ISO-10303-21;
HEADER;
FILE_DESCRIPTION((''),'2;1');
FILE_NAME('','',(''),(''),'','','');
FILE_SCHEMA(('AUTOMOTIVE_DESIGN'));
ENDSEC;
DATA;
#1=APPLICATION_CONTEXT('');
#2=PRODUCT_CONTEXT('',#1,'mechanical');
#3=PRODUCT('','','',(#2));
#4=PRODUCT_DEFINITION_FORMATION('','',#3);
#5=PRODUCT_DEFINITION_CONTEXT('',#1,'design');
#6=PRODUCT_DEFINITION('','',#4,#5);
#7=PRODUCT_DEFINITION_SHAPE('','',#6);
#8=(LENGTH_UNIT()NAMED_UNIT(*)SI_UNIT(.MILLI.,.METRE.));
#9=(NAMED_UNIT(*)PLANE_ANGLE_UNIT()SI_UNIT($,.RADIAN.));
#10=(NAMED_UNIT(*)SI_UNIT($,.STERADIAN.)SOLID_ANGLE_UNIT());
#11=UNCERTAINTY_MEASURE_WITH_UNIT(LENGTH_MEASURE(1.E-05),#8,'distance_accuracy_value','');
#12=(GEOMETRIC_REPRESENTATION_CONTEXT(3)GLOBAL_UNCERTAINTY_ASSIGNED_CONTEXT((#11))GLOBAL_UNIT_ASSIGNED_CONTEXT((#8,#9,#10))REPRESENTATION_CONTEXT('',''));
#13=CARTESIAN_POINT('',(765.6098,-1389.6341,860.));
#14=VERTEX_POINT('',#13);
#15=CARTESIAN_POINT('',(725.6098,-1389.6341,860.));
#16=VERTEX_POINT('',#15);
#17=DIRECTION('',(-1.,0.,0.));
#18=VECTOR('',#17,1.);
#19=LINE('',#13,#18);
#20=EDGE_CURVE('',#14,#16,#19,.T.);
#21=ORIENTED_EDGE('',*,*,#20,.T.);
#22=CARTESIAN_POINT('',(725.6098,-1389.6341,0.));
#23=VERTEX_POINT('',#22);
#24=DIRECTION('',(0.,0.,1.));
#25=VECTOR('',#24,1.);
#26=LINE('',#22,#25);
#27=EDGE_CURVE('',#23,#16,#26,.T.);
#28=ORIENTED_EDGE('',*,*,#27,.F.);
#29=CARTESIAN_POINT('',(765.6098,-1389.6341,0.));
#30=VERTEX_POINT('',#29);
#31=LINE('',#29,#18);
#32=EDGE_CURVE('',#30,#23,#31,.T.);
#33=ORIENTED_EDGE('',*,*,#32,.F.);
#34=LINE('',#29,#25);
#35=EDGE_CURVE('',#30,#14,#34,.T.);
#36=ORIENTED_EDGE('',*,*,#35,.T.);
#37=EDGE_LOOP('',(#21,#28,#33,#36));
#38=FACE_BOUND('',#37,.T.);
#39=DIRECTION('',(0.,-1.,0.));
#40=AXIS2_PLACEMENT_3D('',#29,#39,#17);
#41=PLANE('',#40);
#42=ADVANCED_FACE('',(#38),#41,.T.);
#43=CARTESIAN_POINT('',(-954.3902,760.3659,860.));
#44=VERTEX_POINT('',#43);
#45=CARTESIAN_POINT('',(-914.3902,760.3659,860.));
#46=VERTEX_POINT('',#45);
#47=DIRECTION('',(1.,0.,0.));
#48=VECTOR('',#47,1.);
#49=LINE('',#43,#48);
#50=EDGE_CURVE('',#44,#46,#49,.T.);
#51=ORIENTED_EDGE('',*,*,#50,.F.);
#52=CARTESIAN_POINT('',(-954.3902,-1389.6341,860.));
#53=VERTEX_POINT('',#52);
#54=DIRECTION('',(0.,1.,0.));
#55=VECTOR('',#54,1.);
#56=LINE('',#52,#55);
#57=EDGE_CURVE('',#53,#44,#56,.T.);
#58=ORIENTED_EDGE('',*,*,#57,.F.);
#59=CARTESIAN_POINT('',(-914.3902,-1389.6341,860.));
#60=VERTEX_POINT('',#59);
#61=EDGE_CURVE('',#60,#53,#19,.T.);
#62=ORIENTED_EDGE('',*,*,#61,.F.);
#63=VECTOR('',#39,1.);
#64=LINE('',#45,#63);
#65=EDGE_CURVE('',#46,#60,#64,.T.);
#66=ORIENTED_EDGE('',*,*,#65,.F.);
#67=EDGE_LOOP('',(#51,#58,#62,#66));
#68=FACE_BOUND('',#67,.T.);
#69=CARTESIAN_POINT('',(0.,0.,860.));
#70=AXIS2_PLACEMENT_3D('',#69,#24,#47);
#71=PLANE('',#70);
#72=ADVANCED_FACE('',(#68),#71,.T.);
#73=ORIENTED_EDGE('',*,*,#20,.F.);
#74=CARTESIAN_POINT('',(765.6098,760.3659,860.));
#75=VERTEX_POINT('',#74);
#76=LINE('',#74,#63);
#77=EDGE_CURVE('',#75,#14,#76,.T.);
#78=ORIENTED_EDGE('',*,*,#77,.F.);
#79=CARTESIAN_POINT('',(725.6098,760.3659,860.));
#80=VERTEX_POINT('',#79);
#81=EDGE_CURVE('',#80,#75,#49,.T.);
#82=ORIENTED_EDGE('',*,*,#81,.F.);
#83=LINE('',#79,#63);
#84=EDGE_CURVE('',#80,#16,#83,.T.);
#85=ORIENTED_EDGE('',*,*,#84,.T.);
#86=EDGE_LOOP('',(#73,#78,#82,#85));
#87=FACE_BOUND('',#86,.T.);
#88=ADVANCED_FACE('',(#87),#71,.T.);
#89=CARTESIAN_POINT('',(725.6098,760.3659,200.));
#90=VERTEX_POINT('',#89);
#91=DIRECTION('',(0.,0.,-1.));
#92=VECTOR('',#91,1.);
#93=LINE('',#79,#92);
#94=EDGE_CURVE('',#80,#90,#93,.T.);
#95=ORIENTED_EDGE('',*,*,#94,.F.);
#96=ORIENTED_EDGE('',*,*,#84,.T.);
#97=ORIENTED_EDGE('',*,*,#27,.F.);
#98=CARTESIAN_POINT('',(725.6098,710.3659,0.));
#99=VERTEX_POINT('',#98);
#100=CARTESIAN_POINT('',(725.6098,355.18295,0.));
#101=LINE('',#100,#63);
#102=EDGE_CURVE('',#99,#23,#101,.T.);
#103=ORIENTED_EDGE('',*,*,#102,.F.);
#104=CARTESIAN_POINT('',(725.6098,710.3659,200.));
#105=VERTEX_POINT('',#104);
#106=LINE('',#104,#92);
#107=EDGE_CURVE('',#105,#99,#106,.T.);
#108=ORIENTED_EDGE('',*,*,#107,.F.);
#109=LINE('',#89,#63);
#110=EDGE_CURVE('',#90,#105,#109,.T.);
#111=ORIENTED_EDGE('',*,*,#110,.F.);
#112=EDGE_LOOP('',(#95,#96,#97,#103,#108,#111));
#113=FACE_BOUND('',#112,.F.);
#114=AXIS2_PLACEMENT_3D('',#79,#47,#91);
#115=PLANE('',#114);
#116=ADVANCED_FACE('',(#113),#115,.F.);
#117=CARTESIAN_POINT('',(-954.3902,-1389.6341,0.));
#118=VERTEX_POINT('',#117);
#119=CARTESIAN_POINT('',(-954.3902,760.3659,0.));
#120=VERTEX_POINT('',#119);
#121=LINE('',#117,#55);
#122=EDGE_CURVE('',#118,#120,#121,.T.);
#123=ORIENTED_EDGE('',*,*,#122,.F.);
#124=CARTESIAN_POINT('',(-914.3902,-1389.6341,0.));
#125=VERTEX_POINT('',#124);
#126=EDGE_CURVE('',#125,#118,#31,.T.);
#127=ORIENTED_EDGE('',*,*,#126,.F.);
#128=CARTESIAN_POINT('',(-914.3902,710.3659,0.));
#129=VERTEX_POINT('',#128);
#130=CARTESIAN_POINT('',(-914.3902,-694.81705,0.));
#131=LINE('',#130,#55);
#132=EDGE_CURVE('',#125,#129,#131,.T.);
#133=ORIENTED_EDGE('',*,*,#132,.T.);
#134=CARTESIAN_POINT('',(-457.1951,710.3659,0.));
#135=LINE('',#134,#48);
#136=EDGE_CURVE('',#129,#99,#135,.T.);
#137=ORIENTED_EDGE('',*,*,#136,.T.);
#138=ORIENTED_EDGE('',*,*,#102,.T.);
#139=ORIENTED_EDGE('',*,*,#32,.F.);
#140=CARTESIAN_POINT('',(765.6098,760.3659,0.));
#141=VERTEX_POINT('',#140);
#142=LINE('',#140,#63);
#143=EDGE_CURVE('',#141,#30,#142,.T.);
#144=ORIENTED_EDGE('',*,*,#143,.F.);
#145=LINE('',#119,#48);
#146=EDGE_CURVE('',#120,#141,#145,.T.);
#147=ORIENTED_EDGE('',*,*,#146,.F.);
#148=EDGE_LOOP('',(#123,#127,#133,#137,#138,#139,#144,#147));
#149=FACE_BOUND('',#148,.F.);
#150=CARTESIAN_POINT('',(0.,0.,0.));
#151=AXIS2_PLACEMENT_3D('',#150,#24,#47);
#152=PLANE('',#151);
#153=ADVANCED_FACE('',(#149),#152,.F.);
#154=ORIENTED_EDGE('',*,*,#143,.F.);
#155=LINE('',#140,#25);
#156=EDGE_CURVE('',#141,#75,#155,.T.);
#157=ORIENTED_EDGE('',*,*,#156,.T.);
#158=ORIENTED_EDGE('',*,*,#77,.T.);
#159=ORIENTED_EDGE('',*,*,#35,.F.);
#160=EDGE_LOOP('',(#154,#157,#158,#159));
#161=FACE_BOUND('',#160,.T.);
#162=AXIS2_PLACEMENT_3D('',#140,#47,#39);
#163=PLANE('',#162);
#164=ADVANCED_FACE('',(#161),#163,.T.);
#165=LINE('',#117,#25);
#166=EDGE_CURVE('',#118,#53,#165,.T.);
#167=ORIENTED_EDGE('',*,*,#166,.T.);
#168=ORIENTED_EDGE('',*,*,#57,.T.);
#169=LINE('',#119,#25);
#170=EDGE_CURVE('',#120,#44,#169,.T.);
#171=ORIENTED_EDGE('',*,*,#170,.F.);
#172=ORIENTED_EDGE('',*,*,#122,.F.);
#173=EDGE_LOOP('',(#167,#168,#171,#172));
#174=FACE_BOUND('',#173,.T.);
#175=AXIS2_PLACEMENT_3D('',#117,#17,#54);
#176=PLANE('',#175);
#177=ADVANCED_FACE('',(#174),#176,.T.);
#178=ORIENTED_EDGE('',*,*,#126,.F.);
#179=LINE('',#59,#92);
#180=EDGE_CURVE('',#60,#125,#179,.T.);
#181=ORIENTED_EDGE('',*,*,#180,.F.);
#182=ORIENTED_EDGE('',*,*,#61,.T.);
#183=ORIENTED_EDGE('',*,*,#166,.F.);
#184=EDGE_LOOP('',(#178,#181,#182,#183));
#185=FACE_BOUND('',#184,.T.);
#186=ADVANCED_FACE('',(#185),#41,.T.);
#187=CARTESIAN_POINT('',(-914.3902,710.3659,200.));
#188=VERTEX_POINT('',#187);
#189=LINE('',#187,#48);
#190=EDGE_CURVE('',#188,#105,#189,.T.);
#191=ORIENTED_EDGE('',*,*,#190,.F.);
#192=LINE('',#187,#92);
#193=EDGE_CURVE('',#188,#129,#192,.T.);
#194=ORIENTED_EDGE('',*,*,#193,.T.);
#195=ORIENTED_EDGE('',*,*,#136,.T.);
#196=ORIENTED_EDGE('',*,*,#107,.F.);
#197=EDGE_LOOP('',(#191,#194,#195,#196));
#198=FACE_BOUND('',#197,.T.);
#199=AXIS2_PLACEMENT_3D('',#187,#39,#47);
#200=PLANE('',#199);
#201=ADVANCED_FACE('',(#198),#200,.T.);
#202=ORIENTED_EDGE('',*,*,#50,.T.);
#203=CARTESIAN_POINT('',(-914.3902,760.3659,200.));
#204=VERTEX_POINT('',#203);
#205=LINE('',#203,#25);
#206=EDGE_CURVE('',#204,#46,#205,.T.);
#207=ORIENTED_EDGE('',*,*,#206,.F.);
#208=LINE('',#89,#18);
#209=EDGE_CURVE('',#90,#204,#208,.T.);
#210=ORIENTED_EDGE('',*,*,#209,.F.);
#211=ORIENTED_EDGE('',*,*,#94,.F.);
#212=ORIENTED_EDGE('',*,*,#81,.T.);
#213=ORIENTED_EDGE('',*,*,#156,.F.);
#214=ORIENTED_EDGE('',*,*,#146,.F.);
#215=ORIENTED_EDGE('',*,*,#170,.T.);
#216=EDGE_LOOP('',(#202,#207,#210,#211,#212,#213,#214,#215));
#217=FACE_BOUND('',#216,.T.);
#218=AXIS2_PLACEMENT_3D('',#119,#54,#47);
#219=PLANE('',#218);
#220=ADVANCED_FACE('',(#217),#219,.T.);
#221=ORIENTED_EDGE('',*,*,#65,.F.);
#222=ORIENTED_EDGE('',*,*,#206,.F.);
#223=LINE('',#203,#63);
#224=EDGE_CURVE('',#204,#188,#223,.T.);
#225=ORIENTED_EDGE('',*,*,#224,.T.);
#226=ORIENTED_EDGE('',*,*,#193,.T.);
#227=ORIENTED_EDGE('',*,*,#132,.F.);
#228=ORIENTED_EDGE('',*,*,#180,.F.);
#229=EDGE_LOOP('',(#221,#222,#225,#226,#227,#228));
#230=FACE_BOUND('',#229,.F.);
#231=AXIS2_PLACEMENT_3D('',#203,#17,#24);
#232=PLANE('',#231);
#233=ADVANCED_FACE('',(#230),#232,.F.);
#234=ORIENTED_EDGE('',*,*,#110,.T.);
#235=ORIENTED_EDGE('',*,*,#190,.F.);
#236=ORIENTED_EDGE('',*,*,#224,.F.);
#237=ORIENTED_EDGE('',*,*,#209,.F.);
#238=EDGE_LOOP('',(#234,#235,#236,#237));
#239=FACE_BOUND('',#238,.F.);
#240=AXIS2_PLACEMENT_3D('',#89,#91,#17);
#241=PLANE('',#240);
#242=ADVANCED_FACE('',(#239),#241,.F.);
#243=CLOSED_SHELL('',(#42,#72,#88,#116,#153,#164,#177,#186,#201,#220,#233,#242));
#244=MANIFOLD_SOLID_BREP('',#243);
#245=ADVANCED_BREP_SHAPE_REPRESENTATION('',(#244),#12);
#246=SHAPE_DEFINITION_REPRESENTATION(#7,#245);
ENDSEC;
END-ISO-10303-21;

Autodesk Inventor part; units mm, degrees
ref_plane "YZ Plane" through (0, 0, 0) normal (1, 0, 0) x (0, 1, 0)
ref_plane "XZ Plane" through (0, 0, 0) normal (0, 1, 0) x (-1, 0, 0)
ref_plane "XY Plane" through (0, 0, 0) normal (0, 0, 1) x (1, 0, 0)
sketch "Esquisse1" plane through (0, 0, 0) normal (0, 0, 1) x (1, 0, 0)
  line L0 (-954.3902, 760.3659) -> (765.6098, 760.3659)
  line L1 (765.6098, 760.3659) -> (765.6098, -1389.6341)
  line L2 (765.6098, -1389.6341) -> (-954.3902, -1389.6341)
  line L3 (-954.3902, -1389.6341) -> (-954.3902, 760.3659)
  point P0 (0, 0)
  dimension "d0" = 1720
  dimension "d1" = 2150
extrude "Extrusion1" add sketch "Esquisse1" along normal blind 860
sketch "Esquisse2" plane through (-954.3902, 760.3659, 0) normal (0, 1, 0) x (1, 0, 0)
  line L0 (1720, -860) -> (0, -860) projected
  line L1 (40, -860) -> (1680, -860)
  line L2 (1680, -860) -> (1680, -200)
  line L3 (1680, -200) -> (40, -200)
  line L4 (40, -200) -> (40, -860)
  line L5 (0, 0) -> (1720, 0) projected
  point P0 (954.3902, 0)
  dimension "d4" = 40
  dimension "d5" = 40
  dimension "d6" = 200
extrude "Extrusion2" cut sketch "Esquisse2" against normal through all
sketch "Esquisse3" plane through (-914.3902, 760.3659, 200) normal (0, 0, 1) x (1, 0, 0)
  line L0 (0, -2150) -> (0, 0) projected
  line L1 (1640, 0) -> (1640, -2150) projected
  line L2 (0, -50) -> (1640, -50)
  line L3 (1640, -50) -> (1640, -2150)
  line L4 (1640, -2150) -> (0, -2150)
  line L5 (0, -2150) -> (0, -50)
  line L6 (0, 0) -> (1640, 0) projected
  point P0 (914.3902, -760.3659)
  dimension "d9" = 50
extrude "Extrusion3" cut sketch "Esquisse3" against normal blind 1000 contours L0 L2 L1 L4
properties part number "Porte Double" material "Bois (Chêne)"
